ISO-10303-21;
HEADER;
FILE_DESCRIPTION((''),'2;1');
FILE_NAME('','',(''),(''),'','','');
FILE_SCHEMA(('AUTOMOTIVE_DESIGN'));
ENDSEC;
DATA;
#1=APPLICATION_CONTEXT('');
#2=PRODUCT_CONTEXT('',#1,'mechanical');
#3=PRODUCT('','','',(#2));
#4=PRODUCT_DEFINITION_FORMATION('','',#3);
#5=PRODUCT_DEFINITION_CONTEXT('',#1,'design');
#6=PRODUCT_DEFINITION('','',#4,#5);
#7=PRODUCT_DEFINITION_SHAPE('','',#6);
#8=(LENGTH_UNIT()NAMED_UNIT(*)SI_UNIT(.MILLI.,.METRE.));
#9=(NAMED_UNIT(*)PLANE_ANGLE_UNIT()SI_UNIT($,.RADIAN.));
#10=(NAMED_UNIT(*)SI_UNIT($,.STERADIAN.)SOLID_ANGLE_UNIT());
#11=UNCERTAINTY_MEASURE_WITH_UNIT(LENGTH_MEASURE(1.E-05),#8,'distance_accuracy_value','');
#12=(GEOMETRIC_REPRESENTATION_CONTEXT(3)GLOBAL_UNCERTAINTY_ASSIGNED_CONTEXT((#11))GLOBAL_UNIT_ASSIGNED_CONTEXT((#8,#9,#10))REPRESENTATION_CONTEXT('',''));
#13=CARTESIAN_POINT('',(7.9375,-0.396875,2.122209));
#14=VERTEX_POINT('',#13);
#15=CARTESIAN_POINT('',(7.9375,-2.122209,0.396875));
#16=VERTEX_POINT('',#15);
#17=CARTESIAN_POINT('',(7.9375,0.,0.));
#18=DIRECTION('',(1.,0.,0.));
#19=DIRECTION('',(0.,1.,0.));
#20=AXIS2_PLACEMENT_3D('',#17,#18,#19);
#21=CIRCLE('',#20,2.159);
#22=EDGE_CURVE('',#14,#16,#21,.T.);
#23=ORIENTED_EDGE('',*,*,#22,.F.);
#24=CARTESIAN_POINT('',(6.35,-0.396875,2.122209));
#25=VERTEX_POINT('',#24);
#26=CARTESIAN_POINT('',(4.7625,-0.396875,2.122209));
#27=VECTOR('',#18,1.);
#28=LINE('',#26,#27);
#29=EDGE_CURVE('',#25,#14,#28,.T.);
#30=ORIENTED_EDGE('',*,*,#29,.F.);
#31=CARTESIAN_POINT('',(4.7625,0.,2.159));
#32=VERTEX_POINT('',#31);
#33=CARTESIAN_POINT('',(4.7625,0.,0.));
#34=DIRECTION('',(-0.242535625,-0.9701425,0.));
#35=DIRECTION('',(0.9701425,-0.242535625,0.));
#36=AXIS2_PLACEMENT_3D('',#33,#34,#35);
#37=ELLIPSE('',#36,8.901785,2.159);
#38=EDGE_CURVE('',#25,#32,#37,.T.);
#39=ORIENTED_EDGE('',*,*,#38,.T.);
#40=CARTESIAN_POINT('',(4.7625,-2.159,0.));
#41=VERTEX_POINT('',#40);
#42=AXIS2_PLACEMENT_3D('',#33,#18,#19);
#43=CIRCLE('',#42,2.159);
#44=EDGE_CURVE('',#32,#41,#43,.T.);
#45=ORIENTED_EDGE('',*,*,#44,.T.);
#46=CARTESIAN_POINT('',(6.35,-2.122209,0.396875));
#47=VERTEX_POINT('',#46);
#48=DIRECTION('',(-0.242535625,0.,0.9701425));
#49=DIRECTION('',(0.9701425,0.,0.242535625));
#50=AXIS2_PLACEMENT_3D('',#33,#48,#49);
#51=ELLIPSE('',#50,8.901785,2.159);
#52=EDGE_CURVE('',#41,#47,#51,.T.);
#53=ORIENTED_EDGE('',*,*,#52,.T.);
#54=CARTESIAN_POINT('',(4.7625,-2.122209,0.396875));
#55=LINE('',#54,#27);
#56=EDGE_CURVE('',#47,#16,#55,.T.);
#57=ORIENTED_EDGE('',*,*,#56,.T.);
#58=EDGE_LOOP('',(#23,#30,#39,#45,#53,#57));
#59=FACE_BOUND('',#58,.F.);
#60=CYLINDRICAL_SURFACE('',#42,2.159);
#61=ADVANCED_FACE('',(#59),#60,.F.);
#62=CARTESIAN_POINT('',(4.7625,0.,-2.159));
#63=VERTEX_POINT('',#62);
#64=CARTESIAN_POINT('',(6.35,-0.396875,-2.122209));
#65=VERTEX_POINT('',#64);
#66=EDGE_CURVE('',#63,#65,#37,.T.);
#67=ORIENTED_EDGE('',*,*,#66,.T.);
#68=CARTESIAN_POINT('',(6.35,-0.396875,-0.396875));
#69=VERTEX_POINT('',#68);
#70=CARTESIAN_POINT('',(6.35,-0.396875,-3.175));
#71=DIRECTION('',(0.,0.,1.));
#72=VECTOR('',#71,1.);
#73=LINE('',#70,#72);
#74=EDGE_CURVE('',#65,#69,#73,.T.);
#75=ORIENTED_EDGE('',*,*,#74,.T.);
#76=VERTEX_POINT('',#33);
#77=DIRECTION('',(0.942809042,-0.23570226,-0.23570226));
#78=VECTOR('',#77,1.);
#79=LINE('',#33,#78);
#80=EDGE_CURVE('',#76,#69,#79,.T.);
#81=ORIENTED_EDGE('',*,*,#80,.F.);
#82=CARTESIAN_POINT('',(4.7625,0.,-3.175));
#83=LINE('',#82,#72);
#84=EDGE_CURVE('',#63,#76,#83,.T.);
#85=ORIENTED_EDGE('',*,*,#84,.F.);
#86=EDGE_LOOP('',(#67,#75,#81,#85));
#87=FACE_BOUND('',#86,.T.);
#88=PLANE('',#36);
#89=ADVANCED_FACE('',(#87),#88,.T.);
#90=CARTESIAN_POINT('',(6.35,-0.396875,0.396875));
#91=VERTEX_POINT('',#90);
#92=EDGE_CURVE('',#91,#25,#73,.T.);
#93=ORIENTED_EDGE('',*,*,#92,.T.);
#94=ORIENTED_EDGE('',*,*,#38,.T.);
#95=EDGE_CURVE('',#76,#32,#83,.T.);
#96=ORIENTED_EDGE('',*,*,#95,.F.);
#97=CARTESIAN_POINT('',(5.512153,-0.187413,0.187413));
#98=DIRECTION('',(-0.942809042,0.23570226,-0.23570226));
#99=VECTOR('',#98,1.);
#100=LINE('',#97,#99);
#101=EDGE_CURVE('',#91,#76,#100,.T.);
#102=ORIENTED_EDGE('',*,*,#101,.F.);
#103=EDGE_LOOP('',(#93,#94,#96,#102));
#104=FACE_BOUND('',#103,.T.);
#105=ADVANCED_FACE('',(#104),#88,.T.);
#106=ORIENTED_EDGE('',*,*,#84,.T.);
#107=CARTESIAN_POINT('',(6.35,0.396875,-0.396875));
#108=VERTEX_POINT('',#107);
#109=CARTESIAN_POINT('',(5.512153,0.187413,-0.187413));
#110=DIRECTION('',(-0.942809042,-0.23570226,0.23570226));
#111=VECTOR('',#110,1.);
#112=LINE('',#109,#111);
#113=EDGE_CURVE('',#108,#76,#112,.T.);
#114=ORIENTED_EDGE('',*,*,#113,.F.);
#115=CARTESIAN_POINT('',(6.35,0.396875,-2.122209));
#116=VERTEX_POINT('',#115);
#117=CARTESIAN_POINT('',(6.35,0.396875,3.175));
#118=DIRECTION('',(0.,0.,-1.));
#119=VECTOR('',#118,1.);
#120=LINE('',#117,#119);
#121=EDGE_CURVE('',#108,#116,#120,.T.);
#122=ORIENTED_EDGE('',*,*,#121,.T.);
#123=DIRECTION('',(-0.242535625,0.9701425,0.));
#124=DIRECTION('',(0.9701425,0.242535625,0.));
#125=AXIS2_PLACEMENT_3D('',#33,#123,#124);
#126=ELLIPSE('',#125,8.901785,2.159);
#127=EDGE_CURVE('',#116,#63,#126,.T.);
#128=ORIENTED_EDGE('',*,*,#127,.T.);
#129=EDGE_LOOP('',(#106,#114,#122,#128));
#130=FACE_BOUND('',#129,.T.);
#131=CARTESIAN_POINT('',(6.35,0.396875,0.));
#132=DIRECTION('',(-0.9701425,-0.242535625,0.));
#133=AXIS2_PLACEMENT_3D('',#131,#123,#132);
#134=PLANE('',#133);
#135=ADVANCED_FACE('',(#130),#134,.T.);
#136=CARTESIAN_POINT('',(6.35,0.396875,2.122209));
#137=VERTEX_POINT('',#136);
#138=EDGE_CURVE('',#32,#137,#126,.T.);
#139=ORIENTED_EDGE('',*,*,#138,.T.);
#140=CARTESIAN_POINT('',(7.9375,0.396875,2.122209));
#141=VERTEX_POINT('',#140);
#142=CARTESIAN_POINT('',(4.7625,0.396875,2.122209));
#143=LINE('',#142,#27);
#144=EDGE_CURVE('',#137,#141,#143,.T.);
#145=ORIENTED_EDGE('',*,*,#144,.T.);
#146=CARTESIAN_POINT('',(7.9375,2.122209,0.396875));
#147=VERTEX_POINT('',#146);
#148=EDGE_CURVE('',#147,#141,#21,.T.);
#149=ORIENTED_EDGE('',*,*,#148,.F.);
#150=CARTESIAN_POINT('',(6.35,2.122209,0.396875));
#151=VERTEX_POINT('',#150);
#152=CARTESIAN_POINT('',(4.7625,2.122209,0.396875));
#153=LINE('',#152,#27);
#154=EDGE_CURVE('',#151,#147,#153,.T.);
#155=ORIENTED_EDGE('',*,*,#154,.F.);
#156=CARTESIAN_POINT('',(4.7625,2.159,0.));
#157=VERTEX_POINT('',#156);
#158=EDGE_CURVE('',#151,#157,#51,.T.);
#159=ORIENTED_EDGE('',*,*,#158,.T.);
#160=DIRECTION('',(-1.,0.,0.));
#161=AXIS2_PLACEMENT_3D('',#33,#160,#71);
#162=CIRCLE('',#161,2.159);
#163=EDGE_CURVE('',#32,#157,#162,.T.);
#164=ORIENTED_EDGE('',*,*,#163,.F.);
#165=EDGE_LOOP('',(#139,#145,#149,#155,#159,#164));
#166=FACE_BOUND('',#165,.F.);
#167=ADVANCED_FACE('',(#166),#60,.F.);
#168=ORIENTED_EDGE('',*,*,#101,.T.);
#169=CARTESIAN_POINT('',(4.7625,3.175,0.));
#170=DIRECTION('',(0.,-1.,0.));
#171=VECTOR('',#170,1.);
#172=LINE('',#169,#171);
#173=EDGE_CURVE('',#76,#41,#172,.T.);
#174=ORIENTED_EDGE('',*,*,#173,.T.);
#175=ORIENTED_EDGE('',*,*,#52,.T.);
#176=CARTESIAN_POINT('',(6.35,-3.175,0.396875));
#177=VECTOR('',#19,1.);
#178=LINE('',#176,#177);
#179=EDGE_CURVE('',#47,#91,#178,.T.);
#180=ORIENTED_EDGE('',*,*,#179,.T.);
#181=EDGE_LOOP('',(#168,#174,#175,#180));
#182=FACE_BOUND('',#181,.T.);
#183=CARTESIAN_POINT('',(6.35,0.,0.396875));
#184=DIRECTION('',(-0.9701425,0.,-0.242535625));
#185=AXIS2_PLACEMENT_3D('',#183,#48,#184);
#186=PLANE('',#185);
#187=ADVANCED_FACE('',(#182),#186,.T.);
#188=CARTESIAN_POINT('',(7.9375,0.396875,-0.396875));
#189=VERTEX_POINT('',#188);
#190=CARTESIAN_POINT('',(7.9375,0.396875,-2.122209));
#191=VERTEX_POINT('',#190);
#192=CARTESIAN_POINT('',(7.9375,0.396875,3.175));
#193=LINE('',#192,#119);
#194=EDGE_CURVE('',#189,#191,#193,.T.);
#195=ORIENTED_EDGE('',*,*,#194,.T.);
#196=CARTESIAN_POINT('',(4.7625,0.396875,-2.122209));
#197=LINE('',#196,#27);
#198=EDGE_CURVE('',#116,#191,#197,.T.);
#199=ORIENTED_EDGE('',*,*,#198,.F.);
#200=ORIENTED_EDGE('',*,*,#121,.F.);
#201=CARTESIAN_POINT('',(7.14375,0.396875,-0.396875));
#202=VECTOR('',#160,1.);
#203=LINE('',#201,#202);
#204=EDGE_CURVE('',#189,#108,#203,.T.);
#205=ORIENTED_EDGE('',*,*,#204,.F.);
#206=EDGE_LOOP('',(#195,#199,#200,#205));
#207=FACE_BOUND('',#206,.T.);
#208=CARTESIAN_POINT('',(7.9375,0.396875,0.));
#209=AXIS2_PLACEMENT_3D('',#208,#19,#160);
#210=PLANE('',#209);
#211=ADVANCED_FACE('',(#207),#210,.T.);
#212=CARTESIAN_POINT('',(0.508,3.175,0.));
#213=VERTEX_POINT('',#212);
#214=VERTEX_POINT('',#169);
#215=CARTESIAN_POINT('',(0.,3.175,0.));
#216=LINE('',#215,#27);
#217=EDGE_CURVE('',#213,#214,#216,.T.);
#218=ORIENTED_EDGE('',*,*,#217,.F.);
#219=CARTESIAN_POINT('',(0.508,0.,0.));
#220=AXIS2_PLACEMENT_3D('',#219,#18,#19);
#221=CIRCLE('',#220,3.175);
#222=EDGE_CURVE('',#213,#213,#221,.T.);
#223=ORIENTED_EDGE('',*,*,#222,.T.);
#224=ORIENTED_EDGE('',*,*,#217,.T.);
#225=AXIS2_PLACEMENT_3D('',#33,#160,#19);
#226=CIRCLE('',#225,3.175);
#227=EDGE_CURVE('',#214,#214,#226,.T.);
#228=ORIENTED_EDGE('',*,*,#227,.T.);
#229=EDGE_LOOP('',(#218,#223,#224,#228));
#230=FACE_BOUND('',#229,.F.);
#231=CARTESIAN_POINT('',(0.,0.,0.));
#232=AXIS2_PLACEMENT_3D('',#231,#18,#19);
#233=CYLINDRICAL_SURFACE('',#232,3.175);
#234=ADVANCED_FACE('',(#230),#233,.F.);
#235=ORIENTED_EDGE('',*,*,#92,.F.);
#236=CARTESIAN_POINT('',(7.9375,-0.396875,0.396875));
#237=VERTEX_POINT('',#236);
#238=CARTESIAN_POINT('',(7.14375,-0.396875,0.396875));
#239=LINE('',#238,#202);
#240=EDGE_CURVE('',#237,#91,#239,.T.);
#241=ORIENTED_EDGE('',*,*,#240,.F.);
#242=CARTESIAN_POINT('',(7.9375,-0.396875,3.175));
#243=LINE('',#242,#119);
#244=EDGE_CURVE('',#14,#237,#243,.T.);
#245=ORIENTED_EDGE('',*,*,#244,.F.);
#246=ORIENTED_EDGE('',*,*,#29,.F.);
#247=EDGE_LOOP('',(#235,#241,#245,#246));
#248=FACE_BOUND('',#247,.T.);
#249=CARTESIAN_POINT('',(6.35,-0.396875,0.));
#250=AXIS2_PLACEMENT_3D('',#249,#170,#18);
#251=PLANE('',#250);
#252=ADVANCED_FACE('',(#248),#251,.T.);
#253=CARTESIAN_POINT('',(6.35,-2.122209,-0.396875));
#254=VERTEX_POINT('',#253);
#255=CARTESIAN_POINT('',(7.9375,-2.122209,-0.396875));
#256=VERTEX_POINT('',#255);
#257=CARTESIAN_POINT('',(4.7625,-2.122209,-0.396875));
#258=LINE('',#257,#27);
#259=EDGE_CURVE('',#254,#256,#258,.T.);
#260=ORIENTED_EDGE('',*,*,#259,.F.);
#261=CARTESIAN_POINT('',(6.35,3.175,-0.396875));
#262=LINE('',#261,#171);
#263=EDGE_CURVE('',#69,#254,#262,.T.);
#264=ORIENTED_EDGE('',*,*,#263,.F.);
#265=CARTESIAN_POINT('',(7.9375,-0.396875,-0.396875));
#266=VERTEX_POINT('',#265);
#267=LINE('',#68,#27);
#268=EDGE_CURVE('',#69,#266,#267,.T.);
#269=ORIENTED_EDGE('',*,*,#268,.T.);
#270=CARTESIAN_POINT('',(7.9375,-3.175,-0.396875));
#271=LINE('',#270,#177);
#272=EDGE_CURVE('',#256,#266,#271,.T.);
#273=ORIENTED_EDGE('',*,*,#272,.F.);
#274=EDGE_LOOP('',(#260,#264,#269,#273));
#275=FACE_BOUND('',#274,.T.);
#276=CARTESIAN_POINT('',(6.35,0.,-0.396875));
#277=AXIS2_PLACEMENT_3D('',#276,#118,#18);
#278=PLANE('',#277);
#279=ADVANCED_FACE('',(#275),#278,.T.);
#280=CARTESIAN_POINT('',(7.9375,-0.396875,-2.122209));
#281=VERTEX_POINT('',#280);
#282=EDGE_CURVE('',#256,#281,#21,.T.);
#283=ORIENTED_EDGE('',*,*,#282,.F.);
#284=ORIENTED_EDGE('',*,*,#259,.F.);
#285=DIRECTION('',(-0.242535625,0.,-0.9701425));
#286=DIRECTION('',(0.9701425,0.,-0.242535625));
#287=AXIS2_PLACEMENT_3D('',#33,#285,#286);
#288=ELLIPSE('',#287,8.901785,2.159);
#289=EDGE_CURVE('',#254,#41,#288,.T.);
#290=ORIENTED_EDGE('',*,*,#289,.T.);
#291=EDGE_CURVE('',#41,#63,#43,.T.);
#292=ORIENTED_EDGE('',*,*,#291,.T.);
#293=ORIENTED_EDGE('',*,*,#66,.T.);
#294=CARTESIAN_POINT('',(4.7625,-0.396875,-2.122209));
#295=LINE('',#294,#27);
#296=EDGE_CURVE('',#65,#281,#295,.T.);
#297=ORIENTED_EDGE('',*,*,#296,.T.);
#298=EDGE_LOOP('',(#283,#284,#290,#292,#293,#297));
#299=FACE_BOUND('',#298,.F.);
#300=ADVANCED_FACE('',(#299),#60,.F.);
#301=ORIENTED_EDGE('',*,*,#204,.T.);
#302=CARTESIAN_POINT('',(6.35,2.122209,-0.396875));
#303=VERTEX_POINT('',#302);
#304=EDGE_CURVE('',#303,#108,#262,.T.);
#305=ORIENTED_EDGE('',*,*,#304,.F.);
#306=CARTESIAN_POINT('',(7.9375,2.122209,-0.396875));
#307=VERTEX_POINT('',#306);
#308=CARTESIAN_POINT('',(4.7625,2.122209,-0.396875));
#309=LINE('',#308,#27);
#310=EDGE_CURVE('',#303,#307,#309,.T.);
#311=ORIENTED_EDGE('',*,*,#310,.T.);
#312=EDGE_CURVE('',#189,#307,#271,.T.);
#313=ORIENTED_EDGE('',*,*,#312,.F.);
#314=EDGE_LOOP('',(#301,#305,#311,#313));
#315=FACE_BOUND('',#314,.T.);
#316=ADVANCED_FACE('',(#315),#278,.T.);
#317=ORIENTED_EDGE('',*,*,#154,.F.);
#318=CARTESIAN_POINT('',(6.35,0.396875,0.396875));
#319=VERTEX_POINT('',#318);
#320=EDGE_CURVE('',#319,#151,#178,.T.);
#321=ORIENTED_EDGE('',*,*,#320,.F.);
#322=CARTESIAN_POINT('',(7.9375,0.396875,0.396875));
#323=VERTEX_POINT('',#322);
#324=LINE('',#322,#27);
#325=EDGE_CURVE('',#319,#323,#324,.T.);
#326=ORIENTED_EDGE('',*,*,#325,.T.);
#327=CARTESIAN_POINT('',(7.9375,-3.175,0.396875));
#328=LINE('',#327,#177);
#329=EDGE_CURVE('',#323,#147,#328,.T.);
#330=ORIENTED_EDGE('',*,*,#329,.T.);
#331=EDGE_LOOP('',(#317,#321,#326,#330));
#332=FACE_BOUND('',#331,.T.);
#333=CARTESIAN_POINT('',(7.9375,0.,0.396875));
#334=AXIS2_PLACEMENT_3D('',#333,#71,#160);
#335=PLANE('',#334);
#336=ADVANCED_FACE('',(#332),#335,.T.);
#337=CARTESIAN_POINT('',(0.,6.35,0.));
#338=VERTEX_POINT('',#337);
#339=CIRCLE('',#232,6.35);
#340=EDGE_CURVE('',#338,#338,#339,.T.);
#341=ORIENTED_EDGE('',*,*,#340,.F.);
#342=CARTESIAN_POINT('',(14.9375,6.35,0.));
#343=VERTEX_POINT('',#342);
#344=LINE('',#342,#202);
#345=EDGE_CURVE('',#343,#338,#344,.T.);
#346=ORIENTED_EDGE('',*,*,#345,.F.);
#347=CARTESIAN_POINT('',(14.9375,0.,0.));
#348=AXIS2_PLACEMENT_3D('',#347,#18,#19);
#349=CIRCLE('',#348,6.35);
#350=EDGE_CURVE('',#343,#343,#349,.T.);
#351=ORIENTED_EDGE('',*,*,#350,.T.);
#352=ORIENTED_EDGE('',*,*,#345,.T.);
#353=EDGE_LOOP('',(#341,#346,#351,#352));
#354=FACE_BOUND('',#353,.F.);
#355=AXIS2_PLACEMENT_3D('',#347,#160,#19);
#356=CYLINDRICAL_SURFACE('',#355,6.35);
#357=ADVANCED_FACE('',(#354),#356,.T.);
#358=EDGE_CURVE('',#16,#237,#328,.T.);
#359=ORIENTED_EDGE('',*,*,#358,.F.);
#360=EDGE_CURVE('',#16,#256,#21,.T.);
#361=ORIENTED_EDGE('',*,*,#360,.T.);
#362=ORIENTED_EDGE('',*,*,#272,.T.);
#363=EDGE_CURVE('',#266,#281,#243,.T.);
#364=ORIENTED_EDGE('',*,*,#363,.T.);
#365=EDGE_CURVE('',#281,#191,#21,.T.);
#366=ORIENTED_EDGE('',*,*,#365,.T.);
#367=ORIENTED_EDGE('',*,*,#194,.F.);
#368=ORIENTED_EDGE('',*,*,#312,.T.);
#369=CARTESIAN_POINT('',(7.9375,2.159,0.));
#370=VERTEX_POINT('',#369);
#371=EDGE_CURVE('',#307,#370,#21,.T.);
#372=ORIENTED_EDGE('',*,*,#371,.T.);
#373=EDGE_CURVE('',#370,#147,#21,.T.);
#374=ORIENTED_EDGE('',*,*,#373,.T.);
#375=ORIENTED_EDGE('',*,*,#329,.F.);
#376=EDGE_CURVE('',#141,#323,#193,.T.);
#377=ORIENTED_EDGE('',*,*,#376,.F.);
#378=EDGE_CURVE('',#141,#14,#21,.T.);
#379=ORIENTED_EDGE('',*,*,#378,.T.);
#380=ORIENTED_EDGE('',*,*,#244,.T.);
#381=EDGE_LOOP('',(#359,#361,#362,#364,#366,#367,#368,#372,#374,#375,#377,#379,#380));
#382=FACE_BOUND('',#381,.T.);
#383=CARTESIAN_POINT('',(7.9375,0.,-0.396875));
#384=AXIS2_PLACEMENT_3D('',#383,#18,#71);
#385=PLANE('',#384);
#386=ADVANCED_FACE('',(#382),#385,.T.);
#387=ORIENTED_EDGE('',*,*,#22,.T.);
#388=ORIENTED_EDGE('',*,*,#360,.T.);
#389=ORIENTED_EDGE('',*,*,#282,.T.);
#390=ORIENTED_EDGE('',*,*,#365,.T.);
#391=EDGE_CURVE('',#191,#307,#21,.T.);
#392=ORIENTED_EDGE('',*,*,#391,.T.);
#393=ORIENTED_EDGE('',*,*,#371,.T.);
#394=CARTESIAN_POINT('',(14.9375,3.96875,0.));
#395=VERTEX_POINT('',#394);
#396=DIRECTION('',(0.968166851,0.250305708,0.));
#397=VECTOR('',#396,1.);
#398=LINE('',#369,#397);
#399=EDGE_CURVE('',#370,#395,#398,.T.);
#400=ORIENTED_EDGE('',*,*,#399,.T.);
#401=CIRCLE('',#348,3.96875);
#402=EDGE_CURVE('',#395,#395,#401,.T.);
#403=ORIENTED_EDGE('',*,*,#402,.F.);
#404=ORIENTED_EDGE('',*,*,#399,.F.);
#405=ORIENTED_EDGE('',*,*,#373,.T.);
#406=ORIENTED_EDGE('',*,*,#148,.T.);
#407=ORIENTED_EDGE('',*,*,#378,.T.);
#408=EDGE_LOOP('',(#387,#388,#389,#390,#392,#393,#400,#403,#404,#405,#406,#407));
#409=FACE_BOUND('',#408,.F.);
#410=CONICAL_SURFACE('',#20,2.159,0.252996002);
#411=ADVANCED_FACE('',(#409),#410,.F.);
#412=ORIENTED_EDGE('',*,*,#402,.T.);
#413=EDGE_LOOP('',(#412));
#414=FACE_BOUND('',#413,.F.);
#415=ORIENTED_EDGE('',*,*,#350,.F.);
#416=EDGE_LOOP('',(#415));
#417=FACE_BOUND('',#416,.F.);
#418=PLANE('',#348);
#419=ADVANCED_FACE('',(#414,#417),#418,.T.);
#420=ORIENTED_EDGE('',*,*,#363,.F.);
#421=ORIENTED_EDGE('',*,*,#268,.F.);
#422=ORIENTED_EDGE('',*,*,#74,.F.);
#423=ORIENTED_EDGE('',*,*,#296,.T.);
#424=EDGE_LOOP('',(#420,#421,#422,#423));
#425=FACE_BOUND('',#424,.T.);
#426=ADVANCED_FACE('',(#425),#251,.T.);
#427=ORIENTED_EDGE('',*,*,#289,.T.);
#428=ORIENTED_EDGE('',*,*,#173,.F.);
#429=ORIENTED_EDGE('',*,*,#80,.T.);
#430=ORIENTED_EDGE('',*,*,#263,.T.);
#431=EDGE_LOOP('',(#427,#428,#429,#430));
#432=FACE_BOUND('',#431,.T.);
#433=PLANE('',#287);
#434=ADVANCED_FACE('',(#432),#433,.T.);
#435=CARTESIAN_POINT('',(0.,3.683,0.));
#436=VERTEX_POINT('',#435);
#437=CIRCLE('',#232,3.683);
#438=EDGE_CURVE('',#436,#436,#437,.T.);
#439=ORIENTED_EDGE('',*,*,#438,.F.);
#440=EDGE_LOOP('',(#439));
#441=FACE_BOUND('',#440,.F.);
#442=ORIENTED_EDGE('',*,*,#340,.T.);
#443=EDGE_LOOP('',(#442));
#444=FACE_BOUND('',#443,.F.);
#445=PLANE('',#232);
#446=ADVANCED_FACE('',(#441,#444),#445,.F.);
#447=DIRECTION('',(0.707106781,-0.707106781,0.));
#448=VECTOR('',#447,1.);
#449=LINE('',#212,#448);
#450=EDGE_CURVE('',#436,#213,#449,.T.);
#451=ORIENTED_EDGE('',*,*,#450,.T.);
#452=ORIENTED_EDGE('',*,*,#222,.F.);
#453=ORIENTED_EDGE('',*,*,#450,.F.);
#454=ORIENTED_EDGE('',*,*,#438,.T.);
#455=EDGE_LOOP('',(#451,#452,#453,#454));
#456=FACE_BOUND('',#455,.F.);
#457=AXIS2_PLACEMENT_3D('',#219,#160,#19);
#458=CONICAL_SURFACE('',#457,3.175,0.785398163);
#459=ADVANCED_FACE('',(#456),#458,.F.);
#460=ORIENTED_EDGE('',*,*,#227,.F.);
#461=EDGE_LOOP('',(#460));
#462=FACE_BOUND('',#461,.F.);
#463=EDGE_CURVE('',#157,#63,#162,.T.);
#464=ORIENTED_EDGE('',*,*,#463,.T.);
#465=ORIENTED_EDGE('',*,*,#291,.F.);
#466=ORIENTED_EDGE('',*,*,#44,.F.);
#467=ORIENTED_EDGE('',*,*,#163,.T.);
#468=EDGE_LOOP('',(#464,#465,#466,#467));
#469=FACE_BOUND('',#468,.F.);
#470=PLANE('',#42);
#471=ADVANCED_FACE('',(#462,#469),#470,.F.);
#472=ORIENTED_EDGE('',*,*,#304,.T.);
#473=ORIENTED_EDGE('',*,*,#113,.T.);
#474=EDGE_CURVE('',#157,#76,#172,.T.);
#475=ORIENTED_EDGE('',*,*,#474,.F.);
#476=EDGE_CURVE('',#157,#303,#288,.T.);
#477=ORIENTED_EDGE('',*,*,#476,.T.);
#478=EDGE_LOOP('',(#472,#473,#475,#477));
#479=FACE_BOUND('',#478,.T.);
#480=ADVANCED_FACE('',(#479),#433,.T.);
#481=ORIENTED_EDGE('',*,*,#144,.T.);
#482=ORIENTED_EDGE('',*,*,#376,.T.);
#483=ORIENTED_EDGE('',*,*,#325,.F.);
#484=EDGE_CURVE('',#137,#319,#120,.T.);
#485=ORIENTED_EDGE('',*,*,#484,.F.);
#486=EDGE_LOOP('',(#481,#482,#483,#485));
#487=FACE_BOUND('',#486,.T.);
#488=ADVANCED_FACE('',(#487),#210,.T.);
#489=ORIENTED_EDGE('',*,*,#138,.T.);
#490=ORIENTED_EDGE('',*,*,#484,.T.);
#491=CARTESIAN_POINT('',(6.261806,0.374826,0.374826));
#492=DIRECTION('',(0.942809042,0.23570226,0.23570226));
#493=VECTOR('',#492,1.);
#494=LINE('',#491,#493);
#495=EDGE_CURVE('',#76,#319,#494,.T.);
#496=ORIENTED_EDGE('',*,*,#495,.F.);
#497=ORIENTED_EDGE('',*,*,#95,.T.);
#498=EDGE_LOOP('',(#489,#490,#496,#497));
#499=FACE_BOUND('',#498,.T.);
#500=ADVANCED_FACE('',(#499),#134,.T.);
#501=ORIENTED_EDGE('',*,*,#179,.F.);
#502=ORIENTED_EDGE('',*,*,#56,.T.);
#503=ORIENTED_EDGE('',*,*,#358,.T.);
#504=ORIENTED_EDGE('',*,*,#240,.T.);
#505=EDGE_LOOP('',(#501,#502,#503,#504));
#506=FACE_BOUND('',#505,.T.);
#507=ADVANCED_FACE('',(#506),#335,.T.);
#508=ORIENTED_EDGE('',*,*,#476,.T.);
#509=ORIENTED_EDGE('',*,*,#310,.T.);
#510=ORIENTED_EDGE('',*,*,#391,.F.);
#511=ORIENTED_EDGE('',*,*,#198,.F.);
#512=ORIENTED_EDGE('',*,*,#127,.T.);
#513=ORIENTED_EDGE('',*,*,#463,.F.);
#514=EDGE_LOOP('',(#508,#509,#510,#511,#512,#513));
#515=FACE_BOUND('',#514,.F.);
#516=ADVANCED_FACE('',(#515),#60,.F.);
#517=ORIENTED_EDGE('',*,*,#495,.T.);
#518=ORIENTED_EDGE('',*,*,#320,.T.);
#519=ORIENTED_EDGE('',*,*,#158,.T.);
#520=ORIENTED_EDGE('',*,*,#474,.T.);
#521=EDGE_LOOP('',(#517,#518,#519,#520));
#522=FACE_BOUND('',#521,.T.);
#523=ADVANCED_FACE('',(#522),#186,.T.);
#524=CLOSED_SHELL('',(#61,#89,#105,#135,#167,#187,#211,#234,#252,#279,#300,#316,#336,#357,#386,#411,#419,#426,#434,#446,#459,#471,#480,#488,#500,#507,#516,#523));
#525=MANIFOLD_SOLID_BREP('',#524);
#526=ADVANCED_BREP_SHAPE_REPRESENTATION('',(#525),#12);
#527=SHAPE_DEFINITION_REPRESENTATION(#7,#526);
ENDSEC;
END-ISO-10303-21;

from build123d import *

# Parameters (mm, degrees)
F2_SIZE  = 0.508
F4_DEPTH = 3.175
F5_COUNT = 2
F5_ANGLE = 90


with BuildPart() as f1:
    # F0 (on Top) → F1 (revolve)
    with BuildSketch(Plane.XY):
        Polygon((14.9375, 6.35), (0, 6.35), (0, 3.175), (4.7625, 3.175), (4.7625, 2.159), (7.9375, 2.159), (14.9375, 3.96875), align=None)
    revolve(axis=Axis((21.9021170629, 0, 0), (1, 0, 0)))

    # F2
    f2_edges = [f1.edges().sort_by_distance(p)[0] for p in [
        (0, -3.175, 0),
    ]]
    chamfer(f2_edges, length=F2_SIZE)



with BuildPart() as f4:
    # F3 (on Top) → F4 (new body, symmetric)
    with BuildSketch(Plane.XY):
        Polygon((6.35, 0.396875), (4.7625, 0), (6.35, -0.396875), (7.9375, -0.396875), (7.9375, 0.396875), align=None)
    extrude(amount=F4_DEPTH, both=True)


with BuildPart() as f1_1:
    add(f1.part)

    add(f4.part)  # F5 merges F4
    # F5: F4 ×2 about axis
    f5_axis = Axis((4.7625, 0, 0), (1, 0, 0))
    for i in range(1, F5_COUNT):
        add(f4.part.rotate(f5_axis, i * F5_ANGLE / (F5_COUNT - 1)))


solid = f1_1.part
